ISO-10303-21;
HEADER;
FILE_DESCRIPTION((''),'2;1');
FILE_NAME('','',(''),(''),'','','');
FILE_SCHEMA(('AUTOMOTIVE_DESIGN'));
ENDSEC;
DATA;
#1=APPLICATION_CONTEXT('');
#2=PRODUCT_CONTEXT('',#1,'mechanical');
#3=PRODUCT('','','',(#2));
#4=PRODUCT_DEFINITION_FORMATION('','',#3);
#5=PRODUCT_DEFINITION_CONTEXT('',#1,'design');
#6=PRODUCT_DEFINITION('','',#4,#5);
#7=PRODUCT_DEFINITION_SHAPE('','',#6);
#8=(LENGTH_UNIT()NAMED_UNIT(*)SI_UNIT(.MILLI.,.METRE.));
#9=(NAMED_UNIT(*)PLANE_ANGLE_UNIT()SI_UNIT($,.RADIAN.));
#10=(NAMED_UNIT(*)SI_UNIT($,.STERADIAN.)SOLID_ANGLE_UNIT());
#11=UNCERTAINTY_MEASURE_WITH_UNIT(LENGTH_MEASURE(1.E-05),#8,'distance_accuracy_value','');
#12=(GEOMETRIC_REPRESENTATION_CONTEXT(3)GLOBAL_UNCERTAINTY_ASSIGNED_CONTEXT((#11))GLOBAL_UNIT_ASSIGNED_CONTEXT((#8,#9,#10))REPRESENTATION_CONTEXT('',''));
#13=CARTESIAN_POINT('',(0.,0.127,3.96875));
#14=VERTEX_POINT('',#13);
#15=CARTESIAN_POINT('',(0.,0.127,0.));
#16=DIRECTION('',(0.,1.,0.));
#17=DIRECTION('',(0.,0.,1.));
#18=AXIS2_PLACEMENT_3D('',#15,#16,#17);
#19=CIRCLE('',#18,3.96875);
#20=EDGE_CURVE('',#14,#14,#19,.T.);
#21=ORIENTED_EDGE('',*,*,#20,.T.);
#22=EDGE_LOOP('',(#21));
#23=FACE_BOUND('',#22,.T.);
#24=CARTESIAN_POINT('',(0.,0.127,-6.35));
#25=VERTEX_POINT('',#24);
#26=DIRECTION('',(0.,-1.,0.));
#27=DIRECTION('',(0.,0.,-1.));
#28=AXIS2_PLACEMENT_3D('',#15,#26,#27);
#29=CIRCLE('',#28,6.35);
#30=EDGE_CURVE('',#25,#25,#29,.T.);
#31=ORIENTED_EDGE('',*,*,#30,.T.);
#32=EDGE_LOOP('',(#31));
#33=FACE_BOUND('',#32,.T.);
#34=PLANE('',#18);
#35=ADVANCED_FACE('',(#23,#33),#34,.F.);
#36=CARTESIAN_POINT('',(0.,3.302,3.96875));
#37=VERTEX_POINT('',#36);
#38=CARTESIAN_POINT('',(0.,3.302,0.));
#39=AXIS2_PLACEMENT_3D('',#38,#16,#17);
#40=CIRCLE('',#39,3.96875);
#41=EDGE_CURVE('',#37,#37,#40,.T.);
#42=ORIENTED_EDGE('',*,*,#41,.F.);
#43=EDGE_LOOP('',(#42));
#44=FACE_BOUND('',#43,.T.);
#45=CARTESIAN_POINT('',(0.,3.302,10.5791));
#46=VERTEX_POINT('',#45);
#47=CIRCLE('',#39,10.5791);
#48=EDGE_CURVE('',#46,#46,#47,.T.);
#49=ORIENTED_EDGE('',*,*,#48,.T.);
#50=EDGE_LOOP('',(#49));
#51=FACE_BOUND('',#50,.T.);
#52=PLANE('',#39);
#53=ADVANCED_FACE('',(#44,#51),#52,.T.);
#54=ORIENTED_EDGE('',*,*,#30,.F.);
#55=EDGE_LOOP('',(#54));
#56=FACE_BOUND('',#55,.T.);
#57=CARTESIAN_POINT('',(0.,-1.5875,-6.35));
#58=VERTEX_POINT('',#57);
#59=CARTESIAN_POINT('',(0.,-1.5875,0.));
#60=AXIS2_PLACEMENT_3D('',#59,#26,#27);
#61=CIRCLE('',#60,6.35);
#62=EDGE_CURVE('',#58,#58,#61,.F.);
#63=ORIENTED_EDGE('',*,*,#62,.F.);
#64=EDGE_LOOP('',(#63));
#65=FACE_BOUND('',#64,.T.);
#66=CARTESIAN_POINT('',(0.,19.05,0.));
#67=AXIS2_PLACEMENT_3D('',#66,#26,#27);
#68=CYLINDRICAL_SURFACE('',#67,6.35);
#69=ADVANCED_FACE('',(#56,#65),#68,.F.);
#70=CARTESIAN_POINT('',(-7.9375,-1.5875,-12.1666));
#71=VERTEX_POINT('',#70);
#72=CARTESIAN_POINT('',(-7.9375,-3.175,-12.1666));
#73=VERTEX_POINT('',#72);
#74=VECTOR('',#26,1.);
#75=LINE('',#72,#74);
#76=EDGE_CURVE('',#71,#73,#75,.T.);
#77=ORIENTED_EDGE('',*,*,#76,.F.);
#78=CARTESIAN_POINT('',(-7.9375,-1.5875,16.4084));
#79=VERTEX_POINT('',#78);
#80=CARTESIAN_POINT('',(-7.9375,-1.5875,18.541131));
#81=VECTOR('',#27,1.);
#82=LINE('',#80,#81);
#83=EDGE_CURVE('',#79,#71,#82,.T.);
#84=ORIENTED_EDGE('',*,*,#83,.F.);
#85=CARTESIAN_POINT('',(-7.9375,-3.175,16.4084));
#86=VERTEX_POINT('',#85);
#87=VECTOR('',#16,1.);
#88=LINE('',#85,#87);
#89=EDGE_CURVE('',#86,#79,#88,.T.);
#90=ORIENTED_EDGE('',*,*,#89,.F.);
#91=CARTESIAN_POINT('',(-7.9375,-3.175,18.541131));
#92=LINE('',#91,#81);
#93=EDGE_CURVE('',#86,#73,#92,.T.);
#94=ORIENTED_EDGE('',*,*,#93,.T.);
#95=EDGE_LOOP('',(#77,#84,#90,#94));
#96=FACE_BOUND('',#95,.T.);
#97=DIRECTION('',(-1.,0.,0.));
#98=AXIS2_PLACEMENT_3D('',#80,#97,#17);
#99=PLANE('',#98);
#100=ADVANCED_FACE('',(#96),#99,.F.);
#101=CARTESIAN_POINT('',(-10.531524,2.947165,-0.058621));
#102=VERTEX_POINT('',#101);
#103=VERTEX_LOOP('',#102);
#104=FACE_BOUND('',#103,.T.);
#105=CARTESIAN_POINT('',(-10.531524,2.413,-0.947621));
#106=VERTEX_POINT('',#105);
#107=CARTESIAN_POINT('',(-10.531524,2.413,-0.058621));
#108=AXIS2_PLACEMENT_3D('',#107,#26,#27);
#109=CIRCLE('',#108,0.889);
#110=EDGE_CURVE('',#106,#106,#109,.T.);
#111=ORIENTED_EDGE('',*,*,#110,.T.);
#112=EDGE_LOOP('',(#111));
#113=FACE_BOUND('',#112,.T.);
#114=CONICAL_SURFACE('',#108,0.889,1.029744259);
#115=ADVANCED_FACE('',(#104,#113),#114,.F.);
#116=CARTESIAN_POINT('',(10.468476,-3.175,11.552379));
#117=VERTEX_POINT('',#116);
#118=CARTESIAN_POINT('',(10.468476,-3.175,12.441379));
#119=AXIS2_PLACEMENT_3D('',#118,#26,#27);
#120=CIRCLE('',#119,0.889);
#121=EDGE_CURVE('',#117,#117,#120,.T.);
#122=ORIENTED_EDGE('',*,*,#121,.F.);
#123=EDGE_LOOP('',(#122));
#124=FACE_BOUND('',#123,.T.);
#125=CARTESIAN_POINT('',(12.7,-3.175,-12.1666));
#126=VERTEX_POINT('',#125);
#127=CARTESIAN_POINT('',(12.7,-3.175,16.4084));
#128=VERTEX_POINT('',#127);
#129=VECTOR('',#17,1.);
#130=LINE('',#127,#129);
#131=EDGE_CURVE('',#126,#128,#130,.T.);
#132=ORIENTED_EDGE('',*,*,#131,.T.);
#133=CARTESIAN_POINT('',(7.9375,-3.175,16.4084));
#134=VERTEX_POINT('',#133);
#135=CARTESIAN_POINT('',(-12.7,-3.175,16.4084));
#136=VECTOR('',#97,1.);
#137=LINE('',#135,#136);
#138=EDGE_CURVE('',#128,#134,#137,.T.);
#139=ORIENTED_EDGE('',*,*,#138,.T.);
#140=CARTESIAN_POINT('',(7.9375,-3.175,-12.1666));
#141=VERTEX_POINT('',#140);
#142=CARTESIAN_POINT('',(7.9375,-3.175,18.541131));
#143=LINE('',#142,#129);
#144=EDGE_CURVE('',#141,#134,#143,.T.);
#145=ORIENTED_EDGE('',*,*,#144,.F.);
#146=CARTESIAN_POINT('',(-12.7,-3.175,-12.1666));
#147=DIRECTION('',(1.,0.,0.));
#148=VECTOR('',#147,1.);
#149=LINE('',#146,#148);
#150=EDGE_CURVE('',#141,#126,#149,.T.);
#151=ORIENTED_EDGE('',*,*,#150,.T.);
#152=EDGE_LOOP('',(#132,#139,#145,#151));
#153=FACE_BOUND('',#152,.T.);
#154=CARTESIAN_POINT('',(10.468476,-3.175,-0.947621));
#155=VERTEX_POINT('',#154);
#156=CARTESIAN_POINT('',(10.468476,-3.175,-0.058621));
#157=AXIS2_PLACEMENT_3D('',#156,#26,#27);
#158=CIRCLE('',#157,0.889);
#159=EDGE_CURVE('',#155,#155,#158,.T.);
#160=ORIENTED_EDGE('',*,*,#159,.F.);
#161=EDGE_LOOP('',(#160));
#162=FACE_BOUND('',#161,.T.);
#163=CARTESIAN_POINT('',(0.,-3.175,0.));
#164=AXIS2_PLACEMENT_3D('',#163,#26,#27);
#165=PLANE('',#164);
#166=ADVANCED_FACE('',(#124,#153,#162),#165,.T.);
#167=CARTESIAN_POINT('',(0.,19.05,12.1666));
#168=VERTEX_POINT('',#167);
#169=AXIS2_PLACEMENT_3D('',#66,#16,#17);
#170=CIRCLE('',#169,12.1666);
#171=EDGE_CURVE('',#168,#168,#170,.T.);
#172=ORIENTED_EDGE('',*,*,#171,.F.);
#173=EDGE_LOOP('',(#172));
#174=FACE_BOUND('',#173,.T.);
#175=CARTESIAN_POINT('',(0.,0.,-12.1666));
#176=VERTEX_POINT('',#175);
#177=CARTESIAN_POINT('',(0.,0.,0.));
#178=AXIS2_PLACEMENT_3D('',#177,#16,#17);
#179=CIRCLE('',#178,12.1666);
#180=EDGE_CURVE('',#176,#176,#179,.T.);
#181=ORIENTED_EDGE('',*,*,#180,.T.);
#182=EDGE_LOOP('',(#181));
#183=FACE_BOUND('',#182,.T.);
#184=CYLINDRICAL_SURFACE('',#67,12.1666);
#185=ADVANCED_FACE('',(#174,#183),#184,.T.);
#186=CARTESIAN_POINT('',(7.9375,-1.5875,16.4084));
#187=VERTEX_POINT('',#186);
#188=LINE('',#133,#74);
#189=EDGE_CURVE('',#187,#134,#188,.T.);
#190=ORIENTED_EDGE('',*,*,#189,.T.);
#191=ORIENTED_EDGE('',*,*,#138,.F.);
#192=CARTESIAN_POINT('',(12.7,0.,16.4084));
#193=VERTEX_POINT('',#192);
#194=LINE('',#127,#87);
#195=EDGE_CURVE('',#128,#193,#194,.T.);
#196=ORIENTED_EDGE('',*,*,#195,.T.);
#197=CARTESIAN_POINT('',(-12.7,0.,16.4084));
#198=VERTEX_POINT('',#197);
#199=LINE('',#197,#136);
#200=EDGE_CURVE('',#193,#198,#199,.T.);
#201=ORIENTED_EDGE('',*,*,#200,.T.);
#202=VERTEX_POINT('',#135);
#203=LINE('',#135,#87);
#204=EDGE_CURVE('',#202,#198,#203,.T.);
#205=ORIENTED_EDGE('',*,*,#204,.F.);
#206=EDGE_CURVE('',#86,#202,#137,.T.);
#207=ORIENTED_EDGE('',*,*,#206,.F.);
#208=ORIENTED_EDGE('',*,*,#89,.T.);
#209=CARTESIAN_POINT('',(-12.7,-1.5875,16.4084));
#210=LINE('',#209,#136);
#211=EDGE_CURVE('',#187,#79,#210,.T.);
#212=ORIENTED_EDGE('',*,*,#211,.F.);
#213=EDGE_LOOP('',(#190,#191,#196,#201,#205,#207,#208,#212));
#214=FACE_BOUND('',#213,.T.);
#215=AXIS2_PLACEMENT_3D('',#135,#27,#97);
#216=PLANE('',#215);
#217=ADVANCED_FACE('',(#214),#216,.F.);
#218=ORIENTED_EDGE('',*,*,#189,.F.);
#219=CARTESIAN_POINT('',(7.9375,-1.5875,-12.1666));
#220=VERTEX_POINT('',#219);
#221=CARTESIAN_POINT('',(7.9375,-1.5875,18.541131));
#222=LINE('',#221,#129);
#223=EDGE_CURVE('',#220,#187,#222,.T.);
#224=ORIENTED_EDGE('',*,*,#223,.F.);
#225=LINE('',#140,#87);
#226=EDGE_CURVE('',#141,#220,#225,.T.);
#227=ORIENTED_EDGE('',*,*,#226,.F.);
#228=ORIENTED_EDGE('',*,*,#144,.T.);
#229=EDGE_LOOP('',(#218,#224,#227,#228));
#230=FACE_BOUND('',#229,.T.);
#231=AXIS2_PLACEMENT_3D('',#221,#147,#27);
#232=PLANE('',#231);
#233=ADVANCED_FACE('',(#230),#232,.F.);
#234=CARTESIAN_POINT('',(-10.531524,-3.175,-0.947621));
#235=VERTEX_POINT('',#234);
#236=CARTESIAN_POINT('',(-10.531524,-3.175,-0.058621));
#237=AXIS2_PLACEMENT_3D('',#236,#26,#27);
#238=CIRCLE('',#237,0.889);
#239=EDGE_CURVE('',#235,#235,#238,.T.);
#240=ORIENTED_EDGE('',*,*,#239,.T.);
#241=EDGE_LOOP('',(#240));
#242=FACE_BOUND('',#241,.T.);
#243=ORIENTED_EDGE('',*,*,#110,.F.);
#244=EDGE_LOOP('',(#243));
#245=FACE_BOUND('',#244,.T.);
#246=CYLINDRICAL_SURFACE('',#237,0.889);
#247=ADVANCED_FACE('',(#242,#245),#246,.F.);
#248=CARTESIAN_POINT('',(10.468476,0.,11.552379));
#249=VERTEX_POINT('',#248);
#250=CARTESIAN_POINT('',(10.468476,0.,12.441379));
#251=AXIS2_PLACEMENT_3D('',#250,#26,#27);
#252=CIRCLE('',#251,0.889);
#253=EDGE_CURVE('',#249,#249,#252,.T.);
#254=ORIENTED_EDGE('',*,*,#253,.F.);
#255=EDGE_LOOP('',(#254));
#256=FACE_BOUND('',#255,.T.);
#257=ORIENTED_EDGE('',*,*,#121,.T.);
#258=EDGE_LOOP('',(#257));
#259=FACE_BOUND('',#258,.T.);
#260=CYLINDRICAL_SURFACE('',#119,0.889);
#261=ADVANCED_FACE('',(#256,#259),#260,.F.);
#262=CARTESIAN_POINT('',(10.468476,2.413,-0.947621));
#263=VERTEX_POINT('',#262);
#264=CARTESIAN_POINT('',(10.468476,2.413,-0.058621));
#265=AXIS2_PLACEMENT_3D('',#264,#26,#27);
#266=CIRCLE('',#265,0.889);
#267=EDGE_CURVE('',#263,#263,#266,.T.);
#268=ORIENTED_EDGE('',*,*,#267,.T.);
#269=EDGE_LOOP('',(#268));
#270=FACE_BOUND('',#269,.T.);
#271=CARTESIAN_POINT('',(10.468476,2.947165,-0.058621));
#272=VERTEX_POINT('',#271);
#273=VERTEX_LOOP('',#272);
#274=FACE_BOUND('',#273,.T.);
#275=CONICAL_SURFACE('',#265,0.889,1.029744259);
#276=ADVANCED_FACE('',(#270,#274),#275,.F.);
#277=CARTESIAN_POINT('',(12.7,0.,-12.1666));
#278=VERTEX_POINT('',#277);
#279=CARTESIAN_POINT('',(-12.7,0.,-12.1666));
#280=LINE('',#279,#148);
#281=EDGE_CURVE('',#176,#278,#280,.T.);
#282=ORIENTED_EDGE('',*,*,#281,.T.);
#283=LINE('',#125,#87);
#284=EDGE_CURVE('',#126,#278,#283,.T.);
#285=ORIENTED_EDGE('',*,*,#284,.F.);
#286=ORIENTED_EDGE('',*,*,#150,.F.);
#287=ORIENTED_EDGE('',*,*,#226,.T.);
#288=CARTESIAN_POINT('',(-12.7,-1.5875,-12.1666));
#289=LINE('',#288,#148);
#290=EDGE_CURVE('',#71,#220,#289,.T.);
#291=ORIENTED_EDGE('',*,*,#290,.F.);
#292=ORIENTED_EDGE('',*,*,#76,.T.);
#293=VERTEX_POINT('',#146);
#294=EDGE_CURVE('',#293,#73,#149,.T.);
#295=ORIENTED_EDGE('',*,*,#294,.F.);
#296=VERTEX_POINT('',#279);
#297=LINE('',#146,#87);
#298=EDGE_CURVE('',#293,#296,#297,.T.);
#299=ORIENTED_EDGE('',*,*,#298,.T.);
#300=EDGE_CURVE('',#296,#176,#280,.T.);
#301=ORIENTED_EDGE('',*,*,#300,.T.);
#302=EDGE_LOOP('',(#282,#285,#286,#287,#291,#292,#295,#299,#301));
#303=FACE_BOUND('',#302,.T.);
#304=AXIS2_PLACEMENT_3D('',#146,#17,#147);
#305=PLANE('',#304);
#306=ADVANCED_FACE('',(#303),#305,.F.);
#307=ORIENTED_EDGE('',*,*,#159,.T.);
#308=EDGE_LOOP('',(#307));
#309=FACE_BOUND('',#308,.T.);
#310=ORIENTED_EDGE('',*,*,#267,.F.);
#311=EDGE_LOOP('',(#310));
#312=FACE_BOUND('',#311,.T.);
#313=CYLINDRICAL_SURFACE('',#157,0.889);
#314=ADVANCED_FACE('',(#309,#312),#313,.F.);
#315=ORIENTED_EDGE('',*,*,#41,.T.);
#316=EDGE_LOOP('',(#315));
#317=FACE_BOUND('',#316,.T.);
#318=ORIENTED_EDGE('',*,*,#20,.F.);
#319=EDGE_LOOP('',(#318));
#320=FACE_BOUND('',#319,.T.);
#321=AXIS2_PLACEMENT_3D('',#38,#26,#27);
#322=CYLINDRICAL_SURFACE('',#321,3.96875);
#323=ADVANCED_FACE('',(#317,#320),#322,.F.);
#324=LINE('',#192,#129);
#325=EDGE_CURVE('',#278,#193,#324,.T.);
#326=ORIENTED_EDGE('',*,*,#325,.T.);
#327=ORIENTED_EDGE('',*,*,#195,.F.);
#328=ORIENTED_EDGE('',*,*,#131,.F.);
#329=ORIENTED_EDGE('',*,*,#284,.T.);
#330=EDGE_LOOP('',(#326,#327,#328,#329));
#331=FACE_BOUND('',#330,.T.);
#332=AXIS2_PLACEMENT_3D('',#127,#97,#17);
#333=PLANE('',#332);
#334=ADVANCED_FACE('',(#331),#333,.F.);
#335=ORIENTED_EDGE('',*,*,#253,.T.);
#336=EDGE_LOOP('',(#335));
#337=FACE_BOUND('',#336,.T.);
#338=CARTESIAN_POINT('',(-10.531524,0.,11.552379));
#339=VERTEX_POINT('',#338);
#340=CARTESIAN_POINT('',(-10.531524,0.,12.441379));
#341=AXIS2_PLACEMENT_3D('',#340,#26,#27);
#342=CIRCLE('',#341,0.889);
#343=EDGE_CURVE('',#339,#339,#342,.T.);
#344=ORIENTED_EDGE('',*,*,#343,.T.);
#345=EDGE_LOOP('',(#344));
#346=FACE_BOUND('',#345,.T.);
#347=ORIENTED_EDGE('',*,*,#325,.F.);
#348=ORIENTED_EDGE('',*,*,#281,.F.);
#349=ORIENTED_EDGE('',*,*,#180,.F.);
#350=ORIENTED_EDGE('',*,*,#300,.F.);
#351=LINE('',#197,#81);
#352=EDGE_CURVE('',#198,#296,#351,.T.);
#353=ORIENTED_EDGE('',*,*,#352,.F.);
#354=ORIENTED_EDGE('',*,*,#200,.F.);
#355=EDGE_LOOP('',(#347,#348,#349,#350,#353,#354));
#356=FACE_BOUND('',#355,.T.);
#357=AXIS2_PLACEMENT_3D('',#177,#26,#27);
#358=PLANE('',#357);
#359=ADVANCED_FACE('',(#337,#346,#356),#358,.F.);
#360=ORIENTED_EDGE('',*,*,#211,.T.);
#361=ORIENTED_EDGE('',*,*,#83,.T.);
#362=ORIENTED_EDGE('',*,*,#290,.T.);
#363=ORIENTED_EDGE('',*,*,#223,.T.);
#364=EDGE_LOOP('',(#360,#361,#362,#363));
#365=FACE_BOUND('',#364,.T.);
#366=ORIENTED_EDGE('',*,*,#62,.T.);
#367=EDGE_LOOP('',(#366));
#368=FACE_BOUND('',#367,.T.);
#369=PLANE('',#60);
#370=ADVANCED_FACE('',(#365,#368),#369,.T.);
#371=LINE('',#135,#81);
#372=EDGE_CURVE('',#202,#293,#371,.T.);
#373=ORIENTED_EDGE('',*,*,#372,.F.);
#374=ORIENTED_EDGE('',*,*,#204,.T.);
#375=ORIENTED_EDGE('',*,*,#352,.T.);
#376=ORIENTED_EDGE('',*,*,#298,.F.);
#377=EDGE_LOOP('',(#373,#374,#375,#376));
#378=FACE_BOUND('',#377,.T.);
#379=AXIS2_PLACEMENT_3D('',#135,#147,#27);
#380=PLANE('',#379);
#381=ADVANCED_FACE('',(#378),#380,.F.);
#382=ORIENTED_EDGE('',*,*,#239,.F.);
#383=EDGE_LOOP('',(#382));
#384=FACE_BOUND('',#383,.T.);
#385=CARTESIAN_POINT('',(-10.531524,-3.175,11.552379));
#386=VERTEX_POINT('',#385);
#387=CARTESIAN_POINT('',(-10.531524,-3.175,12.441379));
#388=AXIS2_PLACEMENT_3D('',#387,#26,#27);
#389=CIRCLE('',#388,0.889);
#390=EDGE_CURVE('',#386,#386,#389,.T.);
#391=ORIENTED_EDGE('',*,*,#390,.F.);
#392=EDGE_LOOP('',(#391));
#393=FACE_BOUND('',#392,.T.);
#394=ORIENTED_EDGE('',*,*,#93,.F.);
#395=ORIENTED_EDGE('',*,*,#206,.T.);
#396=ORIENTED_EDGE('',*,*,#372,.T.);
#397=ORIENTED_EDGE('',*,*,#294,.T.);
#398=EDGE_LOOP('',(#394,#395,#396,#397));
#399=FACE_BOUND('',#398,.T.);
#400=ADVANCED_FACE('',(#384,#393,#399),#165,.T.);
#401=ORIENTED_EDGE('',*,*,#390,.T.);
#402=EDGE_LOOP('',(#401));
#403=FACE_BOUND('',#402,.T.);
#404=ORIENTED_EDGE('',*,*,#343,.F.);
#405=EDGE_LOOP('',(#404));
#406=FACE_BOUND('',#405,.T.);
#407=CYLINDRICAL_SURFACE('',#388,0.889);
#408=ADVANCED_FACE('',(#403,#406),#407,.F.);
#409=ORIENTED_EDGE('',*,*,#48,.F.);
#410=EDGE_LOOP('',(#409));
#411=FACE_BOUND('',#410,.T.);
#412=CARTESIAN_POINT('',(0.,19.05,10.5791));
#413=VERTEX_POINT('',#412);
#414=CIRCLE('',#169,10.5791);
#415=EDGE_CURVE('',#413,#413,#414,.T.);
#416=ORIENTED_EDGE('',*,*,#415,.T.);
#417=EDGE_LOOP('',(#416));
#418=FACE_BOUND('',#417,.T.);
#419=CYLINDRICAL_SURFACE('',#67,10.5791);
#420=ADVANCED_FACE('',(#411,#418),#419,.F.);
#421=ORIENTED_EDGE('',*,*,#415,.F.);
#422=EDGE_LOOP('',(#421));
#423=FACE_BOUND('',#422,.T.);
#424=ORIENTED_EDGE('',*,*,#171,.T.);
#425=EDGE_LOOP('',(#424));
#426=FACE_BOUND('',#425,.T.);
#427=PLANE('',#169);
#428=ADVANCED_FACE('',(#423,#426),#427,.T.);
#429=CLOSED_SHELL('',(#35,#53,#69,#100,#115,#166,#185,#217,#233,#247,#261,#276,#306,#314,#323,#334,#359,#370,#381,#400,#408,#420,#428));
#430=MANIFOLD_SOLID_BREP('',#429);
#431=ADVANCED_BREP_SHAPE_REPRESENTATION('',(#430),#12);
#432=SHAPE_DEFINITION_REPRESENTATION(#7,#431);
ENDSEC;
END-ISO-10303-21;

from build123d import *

# Parameters (mm, degrees)
SKETCH1_R                 = 12.1666
SKETCH1_R_2               = 10.5791
BOSS_EXTRUDE1_DEPTH       = 19.05
SKETCH2_W                 = 25.4
SKETCH2_H                 = 28.575
BOSS_EXTRUDE2_DEPTH       = 3.175
SKETCH3_R                 = 6.35
CUT_EXTRUDE1_DEPTH        = 23.225
SKETCH8_R                 = 10.5791
SKETCH8_R_2               = 6.35
BOSS_EXTRUDE4_DEPTH       = 0.127
SKETCH9_R                 = 10.5791
SKETCH9_R_2               = 3.96875
BOSS_EXTRUDE5_DEPTH       = 3.175
F_2_56_TAPPED_HOLE1_D     = 1.778
F_2_56_TAPPED_HOLE1_DEPTH = 5.588
F_2_56_TAPPED_HOLE1_TIP   = 0.53416509
SKETCH6_W                 = 15.875
SKETCH6_H                 = 37.082262956
CUT_EXTRUDE2_DEPTH        = 1.5875


with BuildPart() as part:
    # Sketch1 → Boss-Extrude1 (new body)
    with BuildSketch(Plane(origin=(0, 0, 0), x_dir=(1, 0, 0), z_dir=(0, 1, 0))):
        Circle(SKETCH1_R)
        Circle(SKETCH1_R_2, mode=Mode.SUBTRACT)
    extrude(amount=BOSS_EXTRUDE1_DEPTH)

    # Sketch2 → Boss-Extrude2 (add)
    with BuildSketch(Plane.XZ):
        with Locations((0, 2.1209)):
            Rectangle(SKETCH2_W, SKETCH2_H)
    extrude(amount=BOSS_EXTRUDE2_DEPTH)

    # Sketch3 → Cut-Extrude1 (cut, through all)
    with BuildSketch(Plane.XZ.offset(3.175)):
        Circle(SKETCH3_R)
    extrude(amount=-CUT_EXTRUDE1_DEPTH, mode=Mode.SUBTRACT)

    # Sketch8 → Boss-Extrude4 (add)
    with BuildSketch(Plane(origin=(0, 0, 0), x_dir=(1, 0, 0), z_dir=(0, 1, 0))):
        Circle(SKETCH8_R)
        Circle(SKETCH8_R_2, mode=Mode.SUBTRACT)
    extrude(amount=BOSS_EXTRUDE4_DEPTH)

    # Sketch9 → Boss-Extrude5 (add)
    with BuildSketch(Plane(origin=(0, 0.127, 0), x_dir=(1, 0, 0), z_dir=(0, 1, 0))):
        Circle(SKETCH9_R)
        Circle(SKETCH9_R_2, mode=Mode.SUBTRACT)
    extrude(amount=BOSS_EXTRUDE5_DEPTH)

    # #2-56 Tapped Hole1
    with Locations(Plane(origin=(0, -3.175, 0), x_dir=(-1, 0, 0), z_dir=(0, -1, 0))):
        with Locations((10.531523735, -12.441379328), (10.531523735, 0.058620672), (-10.468476265, -12.441379328), (-10.468476265, 0.058620672)):
            Hole(F_2_56_TAPPED_HOLE1_D / 2, depth=F_2_56_TAPPED_HOLE1_DEPTH)
            with Locations((0, 0, -(F_2_56_TAPPED_HOLE1_DEPTH + F_2_56_TAPPED_HOLE1_TIP / 2))):  # 118° drill point
                Cone(0, F_2_56_TAPPED_HOLE1_D / 2, F_2_56_TAPPED_HOLE1_TIP, mode=Mode.SUBTRACT)

    # Sketch6 → Cut-Extrude2 (cut)
    with BuildSketch(Plane.XZ.offset(3.175)):
        Rectangle(SKETCH6_W, SKETCH6_H)
    extrude(amount=-CUT_EXTRUDE2_DEPTH, mode=Mode.SUBTRACT)


solid = part.part
